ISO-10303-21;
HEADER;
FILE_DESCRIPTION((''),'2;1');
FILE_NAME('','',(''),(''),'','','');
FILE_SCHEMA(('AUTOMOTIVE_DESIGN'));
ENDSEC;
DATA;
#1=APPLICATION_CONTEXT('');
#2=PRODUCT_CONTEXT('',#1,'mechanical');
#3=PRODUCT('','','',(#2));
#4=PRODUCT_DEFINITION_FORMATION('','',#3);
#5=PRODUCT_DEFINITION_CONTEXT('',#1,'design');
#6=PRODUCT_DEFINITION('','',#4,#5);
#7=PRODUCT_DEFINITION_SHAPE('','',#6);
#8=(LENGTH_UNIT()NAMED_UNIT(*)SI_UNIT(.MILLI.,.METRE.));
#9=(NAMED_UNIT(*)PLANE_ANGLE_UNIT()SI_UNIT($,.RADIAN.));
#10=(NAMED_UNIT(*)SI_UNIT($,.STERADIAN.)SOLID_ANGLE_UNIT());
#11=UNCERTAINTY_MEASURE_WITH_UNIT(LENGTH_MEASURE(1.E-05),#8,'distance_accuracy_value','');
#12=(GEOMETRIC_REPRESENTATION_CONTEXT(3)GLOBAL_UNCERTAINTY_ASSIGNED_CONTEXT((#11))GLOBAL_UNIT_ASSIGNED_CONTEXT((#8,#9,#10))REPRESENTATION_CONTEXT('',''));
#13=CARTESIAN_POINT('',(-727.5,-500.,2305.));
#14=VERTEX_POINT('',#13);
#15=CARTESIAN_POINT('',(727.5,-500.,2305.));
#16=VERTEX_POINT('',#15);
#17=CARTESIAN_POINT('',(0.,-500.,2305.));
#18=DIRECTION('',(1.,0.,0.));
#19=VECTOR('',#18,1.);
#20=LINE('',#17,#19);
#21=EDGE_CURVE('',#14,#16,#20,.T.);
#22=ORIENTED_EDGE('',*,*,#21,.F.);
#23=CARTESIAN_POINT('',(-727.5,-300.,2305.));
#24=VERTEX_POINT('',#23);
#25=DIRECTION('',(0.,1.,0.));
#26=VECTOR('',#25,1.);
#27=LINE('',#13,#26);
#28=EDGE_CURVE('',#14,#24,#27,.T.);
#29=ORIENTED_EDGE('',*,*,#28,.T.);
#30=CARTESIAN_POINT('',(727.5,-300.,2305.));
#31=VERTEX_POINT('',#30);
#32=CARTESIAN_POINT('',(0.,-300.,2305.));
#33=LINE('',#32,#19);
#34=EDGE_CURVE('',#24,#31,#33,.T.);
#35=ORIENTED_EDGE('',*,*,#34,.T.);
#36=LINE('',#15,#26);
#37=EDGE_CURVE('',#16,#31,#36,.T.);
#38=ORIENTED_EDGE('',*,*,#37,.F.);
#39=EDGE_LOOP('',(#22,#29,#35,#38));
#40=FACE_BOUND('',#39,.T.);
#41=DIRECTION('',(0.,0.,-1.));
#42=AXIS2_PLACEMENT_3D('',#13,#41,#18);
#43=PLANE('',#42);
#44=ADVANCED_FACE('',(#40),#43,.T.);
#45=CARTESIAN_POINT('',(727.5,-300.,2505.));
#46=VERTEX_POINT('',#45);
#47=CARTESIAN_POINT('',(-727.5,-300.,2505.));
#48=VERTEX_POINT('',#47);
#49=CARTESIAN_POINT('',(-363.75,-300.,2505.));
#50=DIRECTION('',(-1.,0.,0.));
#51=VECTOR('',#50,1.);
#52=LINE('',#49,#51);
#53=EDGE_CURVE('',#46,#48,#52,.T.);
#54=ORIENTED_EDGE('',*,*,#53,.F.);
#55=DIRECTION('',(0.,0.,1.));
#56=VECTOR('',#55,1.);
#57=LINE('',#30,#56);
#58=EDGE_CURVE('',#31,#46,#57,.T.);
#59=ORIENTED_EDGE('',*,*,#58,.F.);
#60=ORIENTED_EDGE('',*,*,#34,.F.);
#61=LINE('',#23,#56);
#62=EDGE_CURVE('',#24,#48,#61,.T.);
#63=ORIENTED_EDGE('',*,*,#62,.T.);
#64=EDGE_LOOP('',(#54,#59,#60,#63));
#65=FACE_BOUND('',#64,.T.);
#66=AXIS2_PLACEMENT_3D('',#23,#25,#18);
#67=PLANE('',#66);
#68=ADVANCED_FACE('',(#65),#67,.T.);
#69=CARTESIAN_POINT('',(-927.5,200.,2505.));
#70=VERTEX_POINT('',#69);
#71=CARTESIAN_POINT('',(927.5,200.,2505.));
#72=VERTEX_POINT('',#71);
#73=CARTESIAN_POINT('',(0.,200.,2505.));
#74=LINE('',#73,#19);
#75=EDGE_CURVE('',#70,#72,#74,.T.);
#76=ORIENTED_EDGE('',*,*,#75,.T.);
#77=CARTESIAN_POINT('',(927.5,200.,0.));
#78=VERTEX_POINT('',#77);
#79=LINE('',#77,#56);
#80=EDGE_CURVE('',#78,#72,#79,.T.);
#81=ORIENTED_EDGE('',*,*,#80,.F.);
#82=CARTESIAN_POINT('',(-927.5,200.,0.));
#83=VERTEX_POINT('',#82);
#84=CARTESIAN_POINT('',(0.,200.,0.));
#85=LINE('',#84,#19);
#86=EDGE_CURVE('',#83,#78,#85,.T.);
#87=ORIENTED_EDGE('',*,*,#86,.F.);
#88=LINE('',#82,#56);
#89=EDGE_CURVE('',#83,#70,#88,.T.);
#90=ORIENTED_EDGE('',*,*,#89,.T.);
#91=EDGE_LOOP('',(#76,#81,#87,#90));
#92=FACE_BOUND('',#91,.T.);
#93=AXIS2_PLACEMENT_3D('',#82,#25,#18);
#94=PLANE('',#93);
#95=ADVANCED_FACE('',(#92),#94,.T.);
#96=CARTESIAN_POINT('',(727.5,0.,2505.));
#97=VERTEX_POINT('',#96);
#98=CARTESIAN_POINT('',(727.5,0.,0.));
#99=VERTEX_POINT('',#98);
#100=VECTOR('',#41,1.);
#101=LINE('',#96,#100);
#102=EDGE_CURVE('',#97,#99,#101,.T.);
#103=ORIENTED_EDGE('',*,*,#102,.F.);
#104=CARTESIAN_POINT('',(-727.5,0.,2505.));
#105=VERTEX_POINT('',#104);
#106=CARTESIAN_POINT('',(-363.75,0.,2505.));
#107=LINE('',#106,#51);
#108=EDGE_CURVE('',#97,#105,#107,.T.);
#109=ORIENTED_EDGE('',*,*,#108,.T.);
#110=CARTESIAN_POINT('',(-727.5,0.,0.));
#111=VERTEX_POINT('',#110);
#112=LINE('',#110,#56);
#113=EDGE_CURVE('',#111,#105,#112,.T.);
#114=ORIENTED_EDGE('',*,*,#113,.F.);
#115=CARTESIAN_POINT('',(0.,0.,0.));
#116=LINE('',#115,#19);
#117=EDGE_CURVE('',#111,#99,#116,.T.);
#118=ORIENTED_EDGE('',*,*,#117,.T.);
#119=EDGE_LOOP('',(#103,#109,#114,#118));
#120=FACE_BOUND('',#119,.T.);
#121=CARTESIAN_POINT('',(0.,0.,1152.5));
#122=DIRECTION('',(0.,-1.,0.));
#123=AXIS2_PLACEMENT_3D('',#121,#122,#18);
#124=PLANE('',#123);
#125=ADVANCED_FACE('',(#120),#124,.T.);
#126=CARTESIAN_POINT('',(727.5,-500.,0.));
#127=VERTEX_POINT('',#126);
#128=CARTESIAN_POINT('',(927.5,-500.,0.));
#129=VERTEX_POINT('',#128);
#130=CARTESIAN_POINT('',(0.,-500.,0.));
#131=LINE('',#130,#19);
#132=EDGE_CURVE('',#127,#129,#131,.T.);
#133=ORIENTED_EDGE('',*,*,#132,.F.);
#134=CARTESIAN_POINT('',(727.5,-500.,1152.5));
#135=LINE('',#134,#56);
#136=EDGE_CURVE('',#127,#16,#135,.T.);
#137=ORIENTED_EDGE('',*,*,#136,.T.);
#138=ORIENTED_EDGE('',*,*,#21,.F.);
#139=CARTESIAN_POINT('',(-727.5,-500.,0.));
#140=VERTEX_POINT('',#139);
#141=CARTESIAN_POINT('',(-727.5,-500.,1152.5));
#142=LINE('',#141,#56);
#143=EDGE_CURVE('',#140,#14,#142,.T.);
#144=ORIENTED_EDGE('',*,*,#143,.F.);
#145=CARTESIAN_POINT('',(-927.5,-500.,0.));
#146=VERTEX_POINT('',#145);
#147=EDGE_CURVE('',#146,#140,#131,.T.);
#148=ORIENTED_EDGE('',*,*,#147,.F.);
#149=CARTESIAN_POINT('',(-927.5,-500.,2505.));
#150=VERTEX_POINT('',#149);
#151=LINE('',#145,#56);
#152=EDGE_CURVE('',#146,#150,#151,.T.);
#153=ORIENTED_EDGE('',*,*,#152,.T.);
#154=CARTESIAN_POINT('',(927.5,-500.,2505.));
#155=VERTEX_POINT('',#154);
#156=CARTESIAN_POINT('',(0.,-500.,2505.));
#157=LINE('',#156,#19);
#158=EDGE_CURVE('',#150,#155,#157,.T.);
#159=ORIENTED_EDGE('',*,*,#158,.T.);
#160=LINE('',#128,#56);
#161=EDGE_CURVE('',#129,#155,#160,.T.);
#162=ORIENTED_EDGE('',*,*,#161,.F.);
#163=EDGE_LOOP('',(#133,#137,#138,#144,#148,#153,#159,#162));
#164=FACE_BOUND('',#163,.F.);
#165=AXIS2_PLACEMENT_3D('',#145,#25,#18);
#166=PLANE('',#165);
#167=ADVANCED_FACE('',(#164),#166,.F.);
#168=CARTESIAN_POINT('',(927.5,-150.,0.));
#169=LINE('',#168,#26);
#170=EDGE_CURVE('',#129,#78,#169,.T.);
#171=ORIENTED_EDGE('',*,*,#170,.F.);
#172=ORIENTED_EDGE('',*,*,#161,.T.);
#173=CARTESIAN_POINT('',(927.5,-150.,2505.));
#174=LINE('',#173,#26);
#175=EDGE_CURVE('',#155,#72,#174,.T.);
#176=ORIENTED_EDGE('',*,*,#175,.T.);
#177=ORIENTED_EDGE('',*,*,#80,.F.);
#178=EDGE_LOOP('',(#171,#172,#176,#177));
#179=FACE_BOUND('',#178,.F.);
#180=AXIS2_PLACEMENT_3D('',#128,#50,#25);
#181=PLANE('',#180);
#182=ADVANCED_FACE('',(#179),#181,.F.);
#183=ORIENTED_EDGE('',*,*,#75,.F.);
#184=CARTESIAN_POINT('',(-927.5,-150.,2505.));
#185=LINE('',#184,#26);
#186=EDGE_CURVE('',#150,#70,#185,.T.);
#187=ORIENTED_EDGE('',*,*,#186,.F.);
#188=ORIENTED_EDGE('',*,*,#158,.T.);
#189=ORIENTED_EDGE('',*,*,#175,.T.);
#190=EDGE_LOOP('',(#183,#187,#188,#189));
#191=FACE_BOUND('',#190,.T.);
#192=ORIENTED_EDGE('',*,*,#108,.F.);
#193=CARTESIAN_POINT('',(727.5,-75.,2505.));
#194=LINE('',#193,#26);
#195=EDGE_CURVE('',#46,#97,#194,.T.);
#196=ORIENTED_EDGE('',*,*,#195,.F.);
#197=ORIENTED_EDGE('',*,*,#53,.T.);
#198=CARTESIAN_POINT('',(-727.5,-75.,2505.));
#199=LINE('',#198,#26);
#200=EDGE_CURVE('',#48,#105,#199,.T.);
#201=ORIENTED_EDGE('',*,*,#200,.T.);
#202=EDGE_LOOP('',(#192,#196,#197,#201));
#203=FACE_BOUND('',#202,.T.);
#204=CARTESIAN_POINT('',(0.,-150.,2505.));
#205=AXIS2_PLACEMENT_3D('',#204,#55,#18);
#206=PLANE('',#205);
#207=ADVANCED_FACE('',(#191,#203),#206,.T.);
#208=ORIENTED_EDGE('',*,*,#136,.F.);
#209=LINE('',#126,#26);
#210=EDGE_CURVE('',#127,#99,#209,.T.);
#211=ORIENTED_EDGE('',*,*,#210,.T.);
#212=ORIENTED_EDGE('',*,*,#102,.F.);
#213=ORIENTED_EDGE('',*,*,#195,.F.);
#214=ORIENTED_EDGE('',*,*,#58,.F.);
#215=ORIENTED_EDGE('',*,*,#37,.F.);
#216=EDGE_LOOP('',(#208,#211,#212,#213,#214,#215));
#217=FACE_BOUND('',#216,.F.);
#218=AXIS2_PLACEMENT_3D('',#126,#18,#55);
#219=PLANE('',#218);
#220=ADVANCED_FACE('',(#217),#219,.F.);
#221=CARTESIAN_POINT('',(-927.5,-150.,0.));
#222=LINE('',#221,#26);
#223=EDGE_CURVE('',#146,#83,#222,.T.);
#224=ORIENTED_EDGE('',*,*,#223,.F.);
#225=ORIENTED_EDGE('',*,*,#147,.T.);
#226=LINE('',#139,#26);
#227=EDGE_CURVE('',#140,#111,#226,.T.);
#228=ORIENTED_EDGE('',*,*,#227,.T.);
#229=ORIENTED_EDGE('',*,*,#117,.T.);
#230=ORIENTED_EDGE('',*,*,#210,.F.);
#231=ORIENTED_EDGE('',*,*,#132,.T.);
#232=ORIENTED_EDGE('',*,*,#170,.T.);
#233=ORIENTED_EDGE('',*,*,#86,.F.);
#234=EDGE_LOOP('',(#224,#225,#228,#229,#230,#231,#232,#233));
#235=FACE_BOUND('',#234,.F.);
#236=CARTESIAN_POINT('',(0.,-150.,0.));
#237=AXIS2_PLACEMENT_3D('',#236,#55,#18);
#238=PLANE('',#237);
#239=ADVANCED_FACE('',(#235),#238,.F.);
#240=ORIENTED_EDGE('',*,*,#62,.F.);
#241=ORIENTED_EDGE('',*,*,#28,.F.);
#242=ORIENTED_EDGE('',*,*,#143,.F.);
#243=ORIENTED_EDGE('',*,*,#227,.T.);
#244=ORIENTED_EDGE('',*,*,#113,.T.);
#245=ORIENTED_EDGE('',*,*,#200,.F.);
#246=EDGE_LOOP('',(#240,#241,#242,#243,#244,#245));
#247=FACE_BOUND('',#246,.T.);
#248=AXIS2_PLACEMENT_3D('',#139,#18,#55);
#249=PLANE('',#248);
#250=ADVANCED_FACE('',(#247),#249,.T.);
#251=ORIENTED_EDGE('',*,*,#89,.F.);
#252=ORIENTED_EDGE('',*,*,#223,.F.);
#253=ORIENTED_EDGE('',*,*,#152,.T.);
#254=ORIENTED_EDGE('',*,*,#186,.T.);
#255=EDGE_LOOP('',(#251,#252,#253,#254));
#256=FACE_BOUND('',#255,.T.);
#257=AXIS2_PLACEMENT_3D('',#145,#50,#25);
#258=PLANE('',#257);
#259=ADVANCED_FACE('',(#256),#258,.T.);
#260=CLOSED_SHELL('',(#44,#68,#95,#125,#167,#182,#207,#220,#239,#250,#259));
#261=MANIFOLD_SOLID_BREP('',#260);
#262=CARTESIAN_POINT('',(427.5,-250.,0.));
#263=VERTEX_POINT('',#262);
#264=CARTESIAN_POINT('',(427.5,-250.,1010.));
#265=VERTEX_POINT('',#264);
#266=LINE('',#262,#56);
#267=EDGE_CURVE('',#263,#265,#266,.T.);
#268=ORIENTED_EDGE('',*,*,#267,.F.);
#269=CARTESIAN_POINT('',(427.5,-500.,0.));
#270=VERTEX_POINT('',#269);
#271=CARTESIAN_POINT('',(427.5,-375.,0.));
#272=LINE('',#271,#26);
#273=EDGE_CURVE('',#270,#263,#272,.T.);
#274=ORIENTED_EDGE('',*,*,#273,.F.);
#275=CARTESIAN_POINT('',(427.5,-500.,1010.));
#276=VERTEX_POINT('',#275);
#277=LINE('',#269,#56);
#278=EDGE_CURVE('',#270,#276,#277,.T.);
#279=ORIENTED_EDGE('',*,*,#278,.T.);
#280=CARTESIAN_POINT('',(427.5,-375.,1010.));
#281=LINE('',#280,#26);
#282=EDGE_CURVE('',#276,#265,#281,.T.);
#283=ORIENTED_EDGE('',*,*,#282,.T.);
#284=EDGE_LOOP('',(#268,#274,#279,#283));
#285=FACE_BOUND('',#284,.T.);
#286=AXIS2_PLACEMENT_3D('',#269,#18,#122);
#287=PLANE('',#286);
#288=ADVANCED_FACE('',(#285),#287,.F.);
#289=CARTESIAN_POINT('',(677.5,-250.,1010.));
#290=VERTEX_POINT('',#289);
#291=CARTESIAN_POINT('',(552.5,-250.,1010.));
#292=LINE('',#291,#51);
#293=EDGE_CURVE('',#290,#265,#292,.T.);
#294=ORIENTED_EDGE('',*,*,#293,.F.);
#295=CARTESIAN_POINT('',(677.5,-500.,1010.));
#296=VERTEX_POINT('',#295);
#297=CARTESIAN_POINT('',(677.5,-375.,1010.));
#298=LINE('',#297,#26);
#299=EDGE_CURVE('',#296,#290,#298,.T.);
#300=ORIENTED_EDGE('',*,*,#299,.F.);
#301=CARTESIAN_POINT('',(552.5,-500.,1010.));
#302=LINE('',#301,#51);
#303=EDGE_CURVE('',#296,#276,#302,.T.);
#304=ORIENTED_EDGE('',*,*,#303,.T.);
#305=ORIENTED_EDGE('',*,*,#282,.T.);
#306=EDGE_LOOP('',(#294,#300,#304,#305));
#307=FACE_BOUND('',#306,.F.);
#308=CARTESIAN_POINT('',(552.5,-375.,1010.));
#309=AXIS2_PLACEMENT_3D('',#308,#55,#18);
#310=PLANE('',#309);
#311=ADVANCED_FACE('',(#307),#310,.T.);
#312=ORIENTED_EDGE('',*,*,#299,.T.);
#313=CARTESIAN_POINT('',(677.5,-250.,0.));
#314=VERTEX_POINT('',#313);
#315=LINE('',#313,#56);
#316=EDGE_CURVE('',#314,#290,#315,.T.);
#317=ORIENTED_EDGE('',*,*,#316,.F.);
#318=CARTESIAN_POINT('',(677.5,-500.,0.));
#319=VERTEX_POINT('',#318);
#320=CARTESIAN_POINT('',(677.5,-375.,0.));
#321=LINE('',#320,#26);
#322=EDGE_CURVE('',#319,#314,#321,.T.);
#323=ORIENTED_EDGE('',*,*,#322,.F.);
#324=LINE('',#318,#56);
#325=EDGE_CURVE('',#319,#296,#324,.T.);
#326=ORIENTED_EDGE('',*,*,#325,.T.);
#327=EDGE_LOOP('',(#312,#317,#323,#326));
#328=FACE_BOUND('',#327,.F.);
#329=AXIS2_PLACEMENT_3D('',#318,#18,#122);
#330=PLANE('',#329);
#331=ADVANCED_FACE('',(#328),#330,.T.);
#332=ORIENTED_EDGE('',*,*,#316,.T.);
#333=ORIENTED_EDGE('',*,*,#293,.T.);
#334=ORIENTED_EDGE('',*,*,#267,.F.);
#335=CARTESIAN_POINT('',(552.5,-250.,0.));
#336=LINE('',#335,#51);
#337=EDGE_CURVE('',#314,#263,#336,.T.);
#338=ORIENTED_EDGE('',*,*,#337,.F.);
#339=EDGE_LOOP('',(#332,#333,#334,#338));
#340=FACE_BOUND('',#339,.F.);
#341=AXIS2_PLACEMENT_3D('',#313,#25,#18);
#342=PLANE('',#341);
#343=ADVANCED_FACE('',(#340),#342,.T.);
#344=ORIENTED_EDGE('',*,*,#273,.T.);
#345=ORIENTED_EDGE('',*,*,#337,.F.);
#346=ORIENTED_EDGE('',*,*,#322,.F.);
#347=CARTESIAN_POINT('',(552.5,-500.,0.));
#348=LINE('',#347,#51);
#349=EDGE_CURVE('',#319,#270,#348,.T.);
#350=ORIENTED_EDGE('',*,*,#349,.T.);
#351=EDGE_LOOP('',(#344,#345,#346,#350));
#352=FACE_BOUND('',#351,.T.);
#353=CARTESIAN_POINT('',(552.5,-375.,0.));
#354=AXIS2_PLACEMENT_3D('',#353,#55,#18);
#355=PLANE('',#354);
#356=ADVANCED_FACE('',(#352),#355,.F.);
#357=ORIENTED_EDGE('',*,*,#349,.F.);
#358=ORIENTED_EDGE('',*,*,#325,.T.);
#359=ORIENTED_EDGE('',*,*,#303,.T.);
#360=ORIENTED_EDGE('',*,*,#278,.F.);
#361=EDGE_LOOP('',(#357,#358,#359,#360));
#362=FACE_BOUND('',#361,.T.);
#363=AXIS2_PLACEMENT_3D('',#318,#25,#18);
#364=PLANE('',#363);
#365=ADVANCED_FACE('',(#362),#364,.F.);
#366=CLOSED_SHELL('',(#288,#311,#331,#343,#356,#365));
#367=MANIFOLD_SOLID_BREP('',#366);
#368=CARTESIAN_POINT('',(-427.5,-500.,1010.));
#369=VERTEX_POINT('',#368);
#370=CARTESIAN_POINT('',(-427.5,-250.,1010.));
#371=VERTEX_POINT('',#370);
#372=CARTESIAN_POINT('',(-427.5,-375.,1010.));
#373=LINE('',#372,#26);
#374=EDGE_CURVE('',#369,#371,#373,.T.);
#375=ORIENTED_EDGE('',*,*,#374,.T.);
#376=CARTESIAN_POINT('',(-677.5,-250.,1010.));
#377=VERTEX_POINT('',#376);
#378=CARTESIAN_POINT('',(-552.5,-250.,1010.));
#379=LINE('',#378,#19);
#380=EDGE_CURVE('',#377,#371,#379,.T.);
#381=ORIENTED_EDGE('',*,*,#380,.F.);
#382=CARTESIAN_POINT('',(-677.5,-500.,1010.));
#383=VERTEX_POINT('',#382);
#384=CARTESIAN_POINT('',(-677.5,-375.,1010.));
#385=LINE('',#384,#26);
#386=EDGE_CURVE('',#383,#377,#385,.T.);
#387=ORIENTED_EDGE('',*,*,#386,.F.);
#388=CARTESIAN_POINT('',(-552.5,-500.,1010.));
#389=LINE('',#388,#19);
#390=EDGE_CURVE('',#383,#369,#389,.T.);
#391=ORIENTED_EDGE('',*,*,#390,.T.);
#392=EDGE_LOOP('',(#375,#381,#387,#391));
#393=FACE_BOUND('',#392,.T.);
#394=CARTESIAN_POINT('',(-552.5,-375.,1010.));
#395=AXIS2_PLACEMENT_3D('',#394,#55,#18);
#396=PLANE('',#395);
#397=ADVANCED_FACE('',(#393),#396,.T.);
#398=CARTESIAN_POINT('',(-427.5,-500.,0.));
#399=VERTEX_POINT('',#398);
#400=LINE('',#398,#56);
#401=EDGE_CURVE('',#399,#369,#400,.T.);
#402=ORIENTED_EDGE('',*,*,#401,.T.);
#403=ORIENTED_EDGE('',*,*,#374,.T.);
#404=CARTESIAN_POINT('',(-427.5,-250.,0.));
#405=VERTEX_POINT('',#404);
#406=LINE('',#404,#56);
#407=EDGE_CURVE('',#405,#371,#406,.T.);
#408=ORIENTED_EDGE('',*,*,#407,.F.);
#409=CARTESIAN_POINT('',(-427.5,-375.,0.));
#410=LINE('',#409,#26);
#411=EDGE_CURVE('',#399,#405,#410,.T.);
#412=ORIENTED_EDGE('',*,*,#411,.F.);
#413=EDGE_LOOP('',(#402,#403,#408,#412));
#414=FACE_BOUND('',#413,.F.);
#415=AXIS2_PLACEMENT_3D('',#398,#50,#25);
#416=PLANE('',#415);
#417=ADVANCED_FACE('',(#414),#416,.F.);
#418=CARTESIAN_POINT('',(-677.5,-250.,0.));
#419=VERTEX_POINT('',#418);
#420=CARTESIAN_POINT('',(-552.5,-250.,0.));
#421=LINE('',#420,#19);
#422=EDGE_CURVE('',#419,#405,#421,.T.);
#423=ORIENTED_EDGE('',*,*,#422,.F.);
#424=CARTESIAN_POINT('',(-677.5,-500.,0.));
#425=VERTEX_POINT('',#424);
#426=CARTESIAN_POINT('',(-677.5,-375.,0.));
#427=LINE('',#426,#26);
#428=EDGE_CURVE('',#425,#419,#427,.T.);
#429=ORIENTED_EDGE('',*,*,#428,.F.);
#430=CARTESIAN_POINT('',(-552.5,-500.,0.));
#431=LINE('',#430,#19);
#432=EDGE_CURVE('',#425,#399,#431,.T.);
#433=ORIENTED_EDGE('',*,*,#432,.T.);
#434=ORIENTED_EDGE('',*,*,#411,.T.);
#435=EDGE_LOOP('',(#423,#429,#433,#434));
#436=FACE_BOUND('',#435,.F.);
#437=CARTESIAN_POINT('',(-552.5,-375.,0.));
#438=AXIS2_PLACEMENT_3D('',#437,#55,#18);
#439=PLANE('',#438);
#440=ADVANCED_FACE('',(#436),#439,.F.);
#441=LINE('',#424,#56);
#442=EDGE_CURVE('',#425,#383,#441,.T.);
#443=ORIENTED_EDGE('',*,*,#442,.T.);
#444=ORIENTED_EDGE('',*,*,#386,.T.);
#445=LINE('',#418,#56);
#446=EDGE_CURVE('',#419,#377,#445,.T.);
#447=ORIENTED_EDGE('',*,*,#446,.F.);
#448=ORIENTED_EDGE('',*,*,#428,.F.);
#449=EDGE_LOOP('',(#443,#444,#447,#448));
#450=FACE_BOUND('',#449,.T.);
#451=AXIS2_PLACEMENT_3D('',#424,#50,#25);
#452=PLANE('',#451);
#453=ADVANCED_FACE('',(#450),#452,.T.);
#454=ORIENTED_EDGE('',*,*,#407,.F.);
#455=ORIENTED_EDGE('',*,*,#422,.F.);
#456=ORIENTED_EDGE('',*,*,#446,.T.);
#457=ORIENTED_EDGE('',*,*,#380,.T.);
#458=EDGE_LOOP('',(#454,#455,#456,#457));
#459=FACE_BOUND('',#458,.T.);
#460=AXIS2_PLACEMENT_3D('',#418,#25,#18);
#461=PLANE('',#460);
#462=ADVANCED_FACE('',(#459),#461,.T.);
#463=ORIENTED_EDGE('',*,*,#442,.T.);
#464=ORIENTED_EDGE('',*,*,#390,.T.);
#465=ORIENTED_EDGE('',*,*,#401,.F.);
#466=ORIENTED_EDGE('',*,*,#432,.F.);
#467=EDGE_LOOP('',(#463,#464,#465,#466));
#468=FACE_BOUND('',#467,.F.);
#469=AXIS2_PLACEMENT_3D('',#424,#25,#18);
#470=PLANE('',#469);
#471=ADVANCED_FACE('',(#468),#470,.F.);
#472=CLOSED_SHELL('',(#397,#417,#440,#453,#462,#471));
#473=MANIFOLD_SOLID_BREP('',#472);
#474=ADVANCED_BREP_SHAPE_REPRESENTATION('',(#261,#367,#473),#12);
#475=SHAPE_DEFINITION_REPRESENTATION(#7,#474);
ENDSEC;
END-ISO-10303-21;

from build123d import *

# Parameters (mm, degrees)
F0_W     = 1855
F0_H     = 700
F1_DEPTH = 2505
F2_W     = 1455
F2_H     = 2305
F3_DEPTH = 500
F4_W     = 1455
F4_H     = 300
F5_DEPTH = 200.001
F6_W     = 250
F6_H     = 250
F7_DEPTH = 1010


with BuildPart() as f1:
    # F0 (on Top) → F1 (new body)
    with BuildSketch(Plane.XY):
        with Locations((0, -150)):
            Rectangle(F0_W, F0_H)
    extrude(amount=F1_DEPTH)

    # F2 (on face) → F3 (cut)
    with BuildSketch(Plane.XZ.offset(500)):
        with Locations((0, 1152.5)):
            Rectangle(F2_W, F2_H)
    extrude(amount=-F3_DEPTH, mode=Mode.SUBTRACT)

    # F4 (on face) → F5 (cut, through all)
    with BuildSketch(Plane(origin=(0, 0, 2305), x_dir=(1, 0, 0), z_dir=(0, 0, -1))):
        with Locations((0, 150)):
            Rectangle(F4_W, F4_H)
    extrude(amount=-F5_DEPTH, mode=Mode.SUBTRACT)


with BuildPart() as f7:
    # F6 (on Top) → F7 (new body)
    with BuildSketch(Plane.XY):
        with Locations((-552.5, -375)):
            Rectangle(F6_W, F6_H)
    extrude(amount=F7_DEPTH)


with BuildPart() as f8_1:
    # F8: instance of F7
    add(f7.part.mirror(Plane.YZ))


solid = Compound([f1.part, f7.part, f8_1.part])
